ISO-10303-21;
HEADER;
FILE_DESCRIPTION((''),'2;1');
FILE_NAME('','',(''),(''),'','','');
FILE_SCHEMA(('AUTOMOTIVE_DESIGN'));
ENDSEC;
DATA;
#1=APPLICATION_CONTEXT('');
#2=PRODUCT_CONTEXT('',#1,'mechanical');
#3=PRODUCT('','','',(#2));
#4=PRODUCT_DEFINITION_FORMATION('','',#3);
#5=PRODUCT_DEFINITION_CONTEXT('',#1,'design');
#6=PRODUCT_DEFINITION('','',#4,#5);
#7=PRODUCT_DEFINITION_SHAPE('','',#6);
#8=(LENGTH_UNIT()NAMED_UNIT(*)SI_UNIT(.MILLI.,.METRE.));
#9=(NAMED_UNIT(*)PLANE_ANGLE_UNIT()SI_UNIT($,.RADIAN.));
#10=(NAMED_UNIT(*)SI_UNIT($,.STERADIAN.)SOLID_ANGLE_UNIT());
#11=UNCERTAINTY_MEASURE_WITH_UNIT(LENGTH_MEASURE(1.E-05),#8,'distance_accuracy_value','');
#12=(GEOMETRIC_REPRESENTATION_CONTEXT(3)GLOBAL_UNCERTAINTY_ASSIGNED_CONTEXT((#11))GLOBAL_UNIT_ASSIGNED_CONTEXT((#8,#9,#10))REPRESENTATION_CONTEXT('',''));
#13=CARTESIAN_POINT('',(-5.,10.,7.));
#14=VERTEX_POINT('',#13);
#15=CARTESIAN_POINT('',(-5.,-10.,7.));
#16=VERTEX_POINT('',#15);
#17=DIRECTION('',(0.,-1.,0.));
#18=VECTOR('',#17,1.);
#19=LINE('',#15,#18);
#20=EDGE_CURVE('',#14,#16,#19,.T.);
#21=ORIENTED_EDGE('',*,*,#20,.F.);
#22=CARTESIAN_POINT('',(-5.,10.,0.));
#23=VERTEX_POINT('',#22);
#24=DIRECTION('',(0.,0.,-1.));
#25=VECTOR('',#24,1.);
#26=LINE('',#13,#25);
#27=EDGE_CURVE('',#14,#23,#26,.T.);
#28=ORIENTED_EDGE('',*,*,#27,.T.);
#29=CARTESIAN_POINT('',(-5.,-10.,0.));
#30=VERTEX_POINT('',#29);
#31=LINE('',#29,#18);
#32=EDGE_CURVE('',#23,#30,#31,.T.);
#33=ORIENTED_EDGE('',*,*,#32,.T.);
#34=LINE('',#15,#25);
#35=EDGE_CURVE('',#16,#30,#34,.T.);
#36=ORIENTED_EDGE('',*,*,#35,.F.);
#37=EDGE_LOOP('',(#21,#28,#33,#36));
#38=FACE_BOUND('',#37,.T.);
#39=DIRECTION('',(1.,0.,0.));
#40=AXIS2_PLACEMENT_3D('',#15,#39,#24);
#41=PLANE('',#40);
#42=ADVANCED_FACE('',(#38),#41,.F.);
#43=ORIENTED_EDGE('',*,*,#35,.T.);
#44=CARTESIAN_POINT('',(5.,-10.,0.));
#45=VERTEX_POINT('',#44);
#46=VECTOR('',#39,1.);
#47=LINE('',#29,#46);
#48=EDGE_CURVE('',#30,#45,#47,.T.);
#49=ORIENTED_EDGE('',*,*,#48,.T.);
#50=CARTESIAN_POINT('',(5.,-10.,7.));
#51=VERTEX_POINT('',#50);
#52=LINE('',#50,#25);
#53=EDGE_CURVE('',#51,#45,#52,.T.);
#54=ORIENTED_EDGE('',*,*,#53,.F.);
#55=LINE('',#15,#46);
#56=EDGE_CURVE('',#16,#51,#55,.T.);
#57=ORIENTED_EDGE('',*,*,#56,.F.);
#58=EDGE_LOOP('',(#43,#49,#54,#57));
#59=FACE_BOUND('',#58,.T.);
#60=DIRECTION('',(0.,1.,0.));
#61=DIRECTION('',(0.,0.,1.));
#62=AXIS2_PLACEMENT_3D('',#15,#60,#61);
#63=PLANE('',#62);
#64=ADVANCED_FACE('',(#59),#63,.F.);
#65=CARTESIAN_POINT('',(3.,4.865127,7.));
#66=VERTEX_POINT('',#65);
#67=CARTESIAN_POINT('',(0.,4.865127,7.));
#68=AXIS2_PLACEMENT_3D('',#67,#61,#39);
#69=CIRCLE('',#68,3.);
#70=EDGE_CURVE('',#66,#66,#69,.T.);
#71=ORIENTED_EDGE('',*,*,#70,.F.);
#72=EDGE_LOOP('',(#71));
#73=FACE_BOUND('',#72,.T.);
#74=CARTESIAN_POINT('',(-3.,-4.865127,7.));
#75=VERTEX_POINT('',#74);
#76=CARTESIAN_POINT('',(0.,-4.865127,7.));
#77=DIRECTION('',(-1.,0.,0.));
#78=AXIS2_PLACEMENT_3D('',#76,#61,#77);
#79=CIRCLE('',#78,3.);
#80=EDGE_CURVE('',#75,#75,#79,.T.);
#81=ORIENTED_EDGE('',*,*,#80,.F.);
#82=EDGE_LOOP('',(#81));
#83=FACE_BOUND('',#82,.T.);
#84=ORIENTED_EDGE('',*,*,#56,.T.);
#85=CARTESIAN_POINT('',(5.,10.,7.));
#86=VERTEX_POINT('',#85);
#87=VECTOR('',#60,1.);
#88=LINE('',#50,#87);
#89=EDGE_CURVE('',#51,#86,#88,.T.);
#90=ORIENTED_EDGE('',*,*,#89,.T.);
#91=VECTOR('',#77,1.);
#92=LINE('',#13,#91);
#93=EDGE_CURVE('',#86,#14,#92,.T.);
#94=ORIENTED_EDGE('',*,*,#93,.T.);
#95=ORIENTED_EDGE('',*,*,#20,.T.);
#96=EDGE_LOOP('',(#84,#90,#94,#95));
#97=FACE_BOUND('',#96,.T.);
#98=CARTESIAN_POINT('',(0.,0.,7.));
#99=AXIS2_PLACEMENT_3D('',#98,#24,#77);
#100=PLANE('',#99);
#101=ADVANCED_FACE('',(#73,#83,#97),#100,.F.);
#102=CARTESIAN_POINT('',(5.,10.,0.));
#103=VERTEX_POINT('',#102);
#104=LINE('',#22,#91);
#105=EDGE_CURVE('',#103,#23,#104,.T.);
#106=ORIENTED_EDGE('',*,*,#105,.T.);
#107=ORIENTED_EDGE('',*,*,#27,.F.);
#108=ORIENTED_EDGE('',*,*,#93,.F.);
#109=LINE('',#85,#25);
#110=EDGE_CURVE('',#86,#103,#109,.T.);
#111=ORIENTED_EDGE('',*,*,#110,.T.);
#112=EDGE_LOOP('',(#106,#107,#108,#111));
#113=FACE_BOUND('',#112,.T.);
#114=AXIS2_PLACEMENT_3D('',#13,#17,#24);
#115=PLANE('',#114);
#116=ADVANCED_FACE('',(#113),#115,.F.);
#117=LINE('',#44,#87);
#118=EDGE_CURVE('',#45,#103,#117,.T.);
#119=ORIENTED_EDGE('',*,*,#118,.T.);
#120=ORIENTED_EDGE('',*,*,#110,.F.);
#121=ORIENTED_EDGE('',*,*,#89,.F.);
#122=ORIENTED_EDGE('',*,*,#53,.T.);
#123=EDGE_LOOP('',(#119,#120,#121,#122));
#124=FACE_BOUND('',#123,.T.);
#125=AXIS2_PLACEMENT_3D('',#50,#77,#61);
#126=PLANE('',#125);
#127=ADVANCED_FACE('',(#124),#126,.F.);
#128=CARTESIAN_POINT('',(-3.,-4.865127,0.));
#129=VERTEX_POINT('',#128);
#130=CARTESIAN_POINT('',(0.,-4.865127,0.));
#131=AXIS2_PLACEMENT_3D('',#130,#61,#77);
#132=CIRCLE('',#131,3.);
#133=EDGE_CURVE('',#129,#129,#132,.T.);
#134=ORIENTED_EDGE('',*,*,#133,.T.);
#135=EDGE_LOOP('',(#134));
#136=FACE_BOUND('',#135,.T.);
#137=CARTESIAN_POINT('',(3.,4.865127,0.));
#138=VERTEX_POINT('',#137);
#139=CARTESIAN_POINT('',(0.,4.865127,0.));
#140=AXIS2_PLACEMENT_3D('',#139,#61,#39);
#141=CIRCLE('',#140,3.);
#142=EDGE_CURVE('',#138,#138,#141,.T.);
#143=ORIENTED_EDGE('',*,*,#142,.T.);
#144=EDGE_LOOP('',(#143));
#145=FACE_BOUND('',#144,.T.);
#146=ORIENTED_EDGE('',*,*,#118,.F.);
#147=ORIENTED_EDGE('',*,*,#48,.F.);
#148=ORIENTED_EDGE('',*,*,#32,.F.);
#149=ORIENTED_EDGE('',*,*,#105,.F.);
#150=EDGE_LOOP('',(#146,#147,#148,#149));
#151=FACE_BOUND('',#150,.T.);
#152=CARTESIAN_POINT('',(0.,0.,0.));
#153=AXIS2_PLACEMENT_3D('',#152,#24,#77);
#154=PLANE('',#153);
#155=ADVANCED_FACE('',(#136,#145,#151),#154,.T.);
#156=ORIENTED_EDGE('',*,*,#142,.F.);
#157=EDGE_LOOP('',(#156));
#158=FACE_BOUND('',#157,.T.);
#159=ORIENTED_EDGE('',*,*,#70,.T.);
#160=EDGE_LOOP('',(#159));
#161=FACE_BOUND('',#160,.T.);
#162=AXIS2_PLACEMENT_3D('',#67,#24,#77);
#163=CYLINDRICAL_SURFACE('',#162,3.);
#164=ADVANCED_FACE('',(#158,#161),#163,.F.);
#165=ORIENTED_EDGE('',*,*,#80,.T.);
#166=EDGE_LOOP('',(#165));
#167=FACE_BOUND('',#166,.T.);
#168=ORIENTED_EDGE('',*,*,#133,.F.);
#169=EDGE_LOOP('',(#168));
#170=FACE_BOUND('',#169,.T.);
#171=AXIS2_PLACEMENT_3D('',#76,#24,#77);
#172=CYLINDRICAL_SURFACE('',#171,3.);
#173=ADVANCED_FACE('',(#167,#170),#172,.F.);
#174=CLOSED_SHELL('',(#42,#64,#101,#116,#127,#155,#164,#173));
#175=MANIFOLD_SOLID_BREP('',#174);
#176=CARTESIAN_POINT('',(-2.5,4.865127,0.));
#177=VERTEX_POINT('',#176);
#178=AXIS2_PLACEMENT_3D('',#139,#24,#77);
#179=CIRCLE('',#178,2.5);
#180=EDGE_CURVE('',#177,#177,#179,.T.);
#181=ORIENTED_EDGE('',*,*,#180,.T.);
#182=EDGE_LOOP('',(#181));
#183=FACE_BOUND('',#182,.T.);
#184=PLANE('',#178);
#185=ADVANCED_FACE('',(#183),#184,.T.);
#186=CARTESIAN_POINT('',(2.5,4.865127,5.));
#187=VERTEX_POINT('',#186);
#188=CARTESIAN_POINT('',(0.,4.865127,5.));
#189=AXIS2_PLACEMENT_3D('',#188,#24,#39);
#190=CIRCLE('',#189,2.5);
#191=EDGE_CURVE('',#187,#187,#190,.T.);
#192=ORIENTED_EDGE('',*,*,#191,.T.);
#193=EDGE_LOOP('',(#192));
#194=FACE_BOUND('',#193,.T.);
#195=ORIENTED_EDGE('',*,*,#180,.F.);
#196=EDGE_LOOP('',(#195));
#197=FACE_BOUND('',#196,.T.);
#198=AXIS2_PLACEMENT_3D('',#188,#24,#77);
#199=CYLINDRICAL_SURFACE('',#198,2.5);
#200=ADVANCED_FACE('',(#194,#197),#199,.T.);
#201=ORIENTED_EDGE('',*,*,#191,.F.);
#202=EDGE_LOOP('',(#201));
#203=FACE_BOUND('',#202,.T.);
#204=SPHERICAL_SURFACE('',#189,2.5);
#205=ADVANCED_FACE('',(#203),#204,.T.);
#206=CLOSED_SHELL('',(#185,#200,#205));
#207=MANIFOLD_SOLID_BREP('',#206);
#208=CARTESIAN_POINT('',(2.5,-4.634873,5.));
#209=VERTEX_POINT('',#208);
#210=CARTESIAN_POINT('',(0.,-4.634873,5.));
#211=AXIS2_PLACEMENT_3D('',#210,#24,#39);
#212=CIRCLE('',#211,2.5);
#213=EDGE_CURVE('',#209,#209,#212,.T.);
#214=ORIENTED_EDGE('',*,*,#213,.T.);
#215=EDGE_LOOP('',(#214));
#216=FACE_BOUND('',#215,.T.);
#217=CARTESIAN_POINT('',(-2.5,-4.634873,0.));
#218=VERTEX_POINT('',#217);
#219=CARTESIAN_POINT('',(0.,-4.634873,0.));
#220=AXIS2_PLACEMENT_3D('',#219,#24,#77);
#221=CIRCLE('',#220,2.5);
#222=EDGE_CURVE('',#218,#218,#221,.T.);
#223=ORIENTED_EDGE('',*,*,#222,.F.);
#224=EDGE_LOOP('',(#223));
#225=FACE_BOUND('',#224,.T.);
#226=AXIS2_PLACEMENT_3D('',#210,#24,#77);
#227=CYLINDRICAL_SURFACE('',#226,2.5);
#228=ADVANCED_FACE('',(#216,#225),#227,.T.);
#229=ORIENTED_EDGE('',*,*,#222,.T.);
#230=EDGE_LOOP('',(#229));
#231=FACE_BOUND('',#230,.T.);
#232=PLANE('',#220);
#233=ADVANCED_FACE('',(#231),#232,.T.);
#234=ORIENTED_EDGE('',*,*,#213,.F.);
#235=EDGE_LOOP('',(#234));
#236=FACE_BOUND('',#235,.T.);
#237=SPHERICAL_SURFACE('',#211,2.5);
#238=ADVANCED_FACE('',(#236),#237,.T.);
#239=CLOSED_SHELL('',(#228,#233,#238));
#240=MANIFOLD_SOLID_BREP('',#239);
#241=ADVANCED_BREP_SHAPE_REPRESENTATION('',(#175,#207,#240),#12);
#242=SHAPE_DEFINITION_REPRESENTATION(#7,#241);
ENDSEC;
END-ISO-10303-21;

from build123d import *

# Parameters (mm, degrees)
SKETCH2_W           = 10
SKETCH2_H           = 20
SKETCH2_R           = 3
BOSS_EXTRUDE1_DEPTH = 7
SKETCH3_R           = 2.5
BOSS_EXTRUDE2_DEPTH = 5
REVOLVE1_ANGLE      = 180
LPATTERN1_COUNT     = 2
LPATTERN1_PITCH     = 9.5


with BuildPart() as part:
    # Sketch2 → Boss-Extrude1 (new body)
    with BuildSketch(Plane.XY):
        Rectangle(SKETCH2_W, SKETCH2_H)
        with Locations((0, 4.865127234)):
            Circle(SKETCH2_R, mode=Mode.SUBTRACT)
        with Locations(Location((0, -4.865127234, 0), (0, 0, 180))):
            Circle(SKETCH2_R, mode=Mode.SUBTRACT)
    extrude(amount=BOSS_EXTRUDE1_DEPTH)


with BuildPart() as body_2:
    # Sketch3 → Boss-Extrude2 (new body)
    with BuildSketch(Plane(origin=(0, 0, 0), x_dir=(-1, 0, 0), z_dir=(0, 0, -1))):
        with Locations((0, 4.865127234)):
            Circle(SKETCH3_R)
    boss_extrude2 = extrude(amount=-BOSS_EXTRUDE2_DEPTH)

    # Sketch4 → Revolve1 (revolve)
    with BuildSketch(Plane.XY.offset(5)):
        with BuildLine():
            Line((-2.5, 4.865127234), (2.5, 4.865127234))
            ThreePointArc((2.5, 4.865127234), (0, 7.365127234), (-2.5, 4.865127234))
        make_face()
    revolve1 = revolve(axis=Axis((-2.5, 4.865127234, 5), (1, 0, 0)), revolution_arc=REVOLVE1_ANGLE)


with BuildPart() as lpattern1_1:
    # LPattern1: Boss-Extrude2, Revolve1 ×2
    with Locations(*[(0, -i * LPATTERN1_PITCH, 0) for i in range(1, LPATTERN1_COUNT)]):
        add(boss_extrude2)
        add(revolve1)


solid = Compound([part.part, body_2.part, lpattern1_1.part])
